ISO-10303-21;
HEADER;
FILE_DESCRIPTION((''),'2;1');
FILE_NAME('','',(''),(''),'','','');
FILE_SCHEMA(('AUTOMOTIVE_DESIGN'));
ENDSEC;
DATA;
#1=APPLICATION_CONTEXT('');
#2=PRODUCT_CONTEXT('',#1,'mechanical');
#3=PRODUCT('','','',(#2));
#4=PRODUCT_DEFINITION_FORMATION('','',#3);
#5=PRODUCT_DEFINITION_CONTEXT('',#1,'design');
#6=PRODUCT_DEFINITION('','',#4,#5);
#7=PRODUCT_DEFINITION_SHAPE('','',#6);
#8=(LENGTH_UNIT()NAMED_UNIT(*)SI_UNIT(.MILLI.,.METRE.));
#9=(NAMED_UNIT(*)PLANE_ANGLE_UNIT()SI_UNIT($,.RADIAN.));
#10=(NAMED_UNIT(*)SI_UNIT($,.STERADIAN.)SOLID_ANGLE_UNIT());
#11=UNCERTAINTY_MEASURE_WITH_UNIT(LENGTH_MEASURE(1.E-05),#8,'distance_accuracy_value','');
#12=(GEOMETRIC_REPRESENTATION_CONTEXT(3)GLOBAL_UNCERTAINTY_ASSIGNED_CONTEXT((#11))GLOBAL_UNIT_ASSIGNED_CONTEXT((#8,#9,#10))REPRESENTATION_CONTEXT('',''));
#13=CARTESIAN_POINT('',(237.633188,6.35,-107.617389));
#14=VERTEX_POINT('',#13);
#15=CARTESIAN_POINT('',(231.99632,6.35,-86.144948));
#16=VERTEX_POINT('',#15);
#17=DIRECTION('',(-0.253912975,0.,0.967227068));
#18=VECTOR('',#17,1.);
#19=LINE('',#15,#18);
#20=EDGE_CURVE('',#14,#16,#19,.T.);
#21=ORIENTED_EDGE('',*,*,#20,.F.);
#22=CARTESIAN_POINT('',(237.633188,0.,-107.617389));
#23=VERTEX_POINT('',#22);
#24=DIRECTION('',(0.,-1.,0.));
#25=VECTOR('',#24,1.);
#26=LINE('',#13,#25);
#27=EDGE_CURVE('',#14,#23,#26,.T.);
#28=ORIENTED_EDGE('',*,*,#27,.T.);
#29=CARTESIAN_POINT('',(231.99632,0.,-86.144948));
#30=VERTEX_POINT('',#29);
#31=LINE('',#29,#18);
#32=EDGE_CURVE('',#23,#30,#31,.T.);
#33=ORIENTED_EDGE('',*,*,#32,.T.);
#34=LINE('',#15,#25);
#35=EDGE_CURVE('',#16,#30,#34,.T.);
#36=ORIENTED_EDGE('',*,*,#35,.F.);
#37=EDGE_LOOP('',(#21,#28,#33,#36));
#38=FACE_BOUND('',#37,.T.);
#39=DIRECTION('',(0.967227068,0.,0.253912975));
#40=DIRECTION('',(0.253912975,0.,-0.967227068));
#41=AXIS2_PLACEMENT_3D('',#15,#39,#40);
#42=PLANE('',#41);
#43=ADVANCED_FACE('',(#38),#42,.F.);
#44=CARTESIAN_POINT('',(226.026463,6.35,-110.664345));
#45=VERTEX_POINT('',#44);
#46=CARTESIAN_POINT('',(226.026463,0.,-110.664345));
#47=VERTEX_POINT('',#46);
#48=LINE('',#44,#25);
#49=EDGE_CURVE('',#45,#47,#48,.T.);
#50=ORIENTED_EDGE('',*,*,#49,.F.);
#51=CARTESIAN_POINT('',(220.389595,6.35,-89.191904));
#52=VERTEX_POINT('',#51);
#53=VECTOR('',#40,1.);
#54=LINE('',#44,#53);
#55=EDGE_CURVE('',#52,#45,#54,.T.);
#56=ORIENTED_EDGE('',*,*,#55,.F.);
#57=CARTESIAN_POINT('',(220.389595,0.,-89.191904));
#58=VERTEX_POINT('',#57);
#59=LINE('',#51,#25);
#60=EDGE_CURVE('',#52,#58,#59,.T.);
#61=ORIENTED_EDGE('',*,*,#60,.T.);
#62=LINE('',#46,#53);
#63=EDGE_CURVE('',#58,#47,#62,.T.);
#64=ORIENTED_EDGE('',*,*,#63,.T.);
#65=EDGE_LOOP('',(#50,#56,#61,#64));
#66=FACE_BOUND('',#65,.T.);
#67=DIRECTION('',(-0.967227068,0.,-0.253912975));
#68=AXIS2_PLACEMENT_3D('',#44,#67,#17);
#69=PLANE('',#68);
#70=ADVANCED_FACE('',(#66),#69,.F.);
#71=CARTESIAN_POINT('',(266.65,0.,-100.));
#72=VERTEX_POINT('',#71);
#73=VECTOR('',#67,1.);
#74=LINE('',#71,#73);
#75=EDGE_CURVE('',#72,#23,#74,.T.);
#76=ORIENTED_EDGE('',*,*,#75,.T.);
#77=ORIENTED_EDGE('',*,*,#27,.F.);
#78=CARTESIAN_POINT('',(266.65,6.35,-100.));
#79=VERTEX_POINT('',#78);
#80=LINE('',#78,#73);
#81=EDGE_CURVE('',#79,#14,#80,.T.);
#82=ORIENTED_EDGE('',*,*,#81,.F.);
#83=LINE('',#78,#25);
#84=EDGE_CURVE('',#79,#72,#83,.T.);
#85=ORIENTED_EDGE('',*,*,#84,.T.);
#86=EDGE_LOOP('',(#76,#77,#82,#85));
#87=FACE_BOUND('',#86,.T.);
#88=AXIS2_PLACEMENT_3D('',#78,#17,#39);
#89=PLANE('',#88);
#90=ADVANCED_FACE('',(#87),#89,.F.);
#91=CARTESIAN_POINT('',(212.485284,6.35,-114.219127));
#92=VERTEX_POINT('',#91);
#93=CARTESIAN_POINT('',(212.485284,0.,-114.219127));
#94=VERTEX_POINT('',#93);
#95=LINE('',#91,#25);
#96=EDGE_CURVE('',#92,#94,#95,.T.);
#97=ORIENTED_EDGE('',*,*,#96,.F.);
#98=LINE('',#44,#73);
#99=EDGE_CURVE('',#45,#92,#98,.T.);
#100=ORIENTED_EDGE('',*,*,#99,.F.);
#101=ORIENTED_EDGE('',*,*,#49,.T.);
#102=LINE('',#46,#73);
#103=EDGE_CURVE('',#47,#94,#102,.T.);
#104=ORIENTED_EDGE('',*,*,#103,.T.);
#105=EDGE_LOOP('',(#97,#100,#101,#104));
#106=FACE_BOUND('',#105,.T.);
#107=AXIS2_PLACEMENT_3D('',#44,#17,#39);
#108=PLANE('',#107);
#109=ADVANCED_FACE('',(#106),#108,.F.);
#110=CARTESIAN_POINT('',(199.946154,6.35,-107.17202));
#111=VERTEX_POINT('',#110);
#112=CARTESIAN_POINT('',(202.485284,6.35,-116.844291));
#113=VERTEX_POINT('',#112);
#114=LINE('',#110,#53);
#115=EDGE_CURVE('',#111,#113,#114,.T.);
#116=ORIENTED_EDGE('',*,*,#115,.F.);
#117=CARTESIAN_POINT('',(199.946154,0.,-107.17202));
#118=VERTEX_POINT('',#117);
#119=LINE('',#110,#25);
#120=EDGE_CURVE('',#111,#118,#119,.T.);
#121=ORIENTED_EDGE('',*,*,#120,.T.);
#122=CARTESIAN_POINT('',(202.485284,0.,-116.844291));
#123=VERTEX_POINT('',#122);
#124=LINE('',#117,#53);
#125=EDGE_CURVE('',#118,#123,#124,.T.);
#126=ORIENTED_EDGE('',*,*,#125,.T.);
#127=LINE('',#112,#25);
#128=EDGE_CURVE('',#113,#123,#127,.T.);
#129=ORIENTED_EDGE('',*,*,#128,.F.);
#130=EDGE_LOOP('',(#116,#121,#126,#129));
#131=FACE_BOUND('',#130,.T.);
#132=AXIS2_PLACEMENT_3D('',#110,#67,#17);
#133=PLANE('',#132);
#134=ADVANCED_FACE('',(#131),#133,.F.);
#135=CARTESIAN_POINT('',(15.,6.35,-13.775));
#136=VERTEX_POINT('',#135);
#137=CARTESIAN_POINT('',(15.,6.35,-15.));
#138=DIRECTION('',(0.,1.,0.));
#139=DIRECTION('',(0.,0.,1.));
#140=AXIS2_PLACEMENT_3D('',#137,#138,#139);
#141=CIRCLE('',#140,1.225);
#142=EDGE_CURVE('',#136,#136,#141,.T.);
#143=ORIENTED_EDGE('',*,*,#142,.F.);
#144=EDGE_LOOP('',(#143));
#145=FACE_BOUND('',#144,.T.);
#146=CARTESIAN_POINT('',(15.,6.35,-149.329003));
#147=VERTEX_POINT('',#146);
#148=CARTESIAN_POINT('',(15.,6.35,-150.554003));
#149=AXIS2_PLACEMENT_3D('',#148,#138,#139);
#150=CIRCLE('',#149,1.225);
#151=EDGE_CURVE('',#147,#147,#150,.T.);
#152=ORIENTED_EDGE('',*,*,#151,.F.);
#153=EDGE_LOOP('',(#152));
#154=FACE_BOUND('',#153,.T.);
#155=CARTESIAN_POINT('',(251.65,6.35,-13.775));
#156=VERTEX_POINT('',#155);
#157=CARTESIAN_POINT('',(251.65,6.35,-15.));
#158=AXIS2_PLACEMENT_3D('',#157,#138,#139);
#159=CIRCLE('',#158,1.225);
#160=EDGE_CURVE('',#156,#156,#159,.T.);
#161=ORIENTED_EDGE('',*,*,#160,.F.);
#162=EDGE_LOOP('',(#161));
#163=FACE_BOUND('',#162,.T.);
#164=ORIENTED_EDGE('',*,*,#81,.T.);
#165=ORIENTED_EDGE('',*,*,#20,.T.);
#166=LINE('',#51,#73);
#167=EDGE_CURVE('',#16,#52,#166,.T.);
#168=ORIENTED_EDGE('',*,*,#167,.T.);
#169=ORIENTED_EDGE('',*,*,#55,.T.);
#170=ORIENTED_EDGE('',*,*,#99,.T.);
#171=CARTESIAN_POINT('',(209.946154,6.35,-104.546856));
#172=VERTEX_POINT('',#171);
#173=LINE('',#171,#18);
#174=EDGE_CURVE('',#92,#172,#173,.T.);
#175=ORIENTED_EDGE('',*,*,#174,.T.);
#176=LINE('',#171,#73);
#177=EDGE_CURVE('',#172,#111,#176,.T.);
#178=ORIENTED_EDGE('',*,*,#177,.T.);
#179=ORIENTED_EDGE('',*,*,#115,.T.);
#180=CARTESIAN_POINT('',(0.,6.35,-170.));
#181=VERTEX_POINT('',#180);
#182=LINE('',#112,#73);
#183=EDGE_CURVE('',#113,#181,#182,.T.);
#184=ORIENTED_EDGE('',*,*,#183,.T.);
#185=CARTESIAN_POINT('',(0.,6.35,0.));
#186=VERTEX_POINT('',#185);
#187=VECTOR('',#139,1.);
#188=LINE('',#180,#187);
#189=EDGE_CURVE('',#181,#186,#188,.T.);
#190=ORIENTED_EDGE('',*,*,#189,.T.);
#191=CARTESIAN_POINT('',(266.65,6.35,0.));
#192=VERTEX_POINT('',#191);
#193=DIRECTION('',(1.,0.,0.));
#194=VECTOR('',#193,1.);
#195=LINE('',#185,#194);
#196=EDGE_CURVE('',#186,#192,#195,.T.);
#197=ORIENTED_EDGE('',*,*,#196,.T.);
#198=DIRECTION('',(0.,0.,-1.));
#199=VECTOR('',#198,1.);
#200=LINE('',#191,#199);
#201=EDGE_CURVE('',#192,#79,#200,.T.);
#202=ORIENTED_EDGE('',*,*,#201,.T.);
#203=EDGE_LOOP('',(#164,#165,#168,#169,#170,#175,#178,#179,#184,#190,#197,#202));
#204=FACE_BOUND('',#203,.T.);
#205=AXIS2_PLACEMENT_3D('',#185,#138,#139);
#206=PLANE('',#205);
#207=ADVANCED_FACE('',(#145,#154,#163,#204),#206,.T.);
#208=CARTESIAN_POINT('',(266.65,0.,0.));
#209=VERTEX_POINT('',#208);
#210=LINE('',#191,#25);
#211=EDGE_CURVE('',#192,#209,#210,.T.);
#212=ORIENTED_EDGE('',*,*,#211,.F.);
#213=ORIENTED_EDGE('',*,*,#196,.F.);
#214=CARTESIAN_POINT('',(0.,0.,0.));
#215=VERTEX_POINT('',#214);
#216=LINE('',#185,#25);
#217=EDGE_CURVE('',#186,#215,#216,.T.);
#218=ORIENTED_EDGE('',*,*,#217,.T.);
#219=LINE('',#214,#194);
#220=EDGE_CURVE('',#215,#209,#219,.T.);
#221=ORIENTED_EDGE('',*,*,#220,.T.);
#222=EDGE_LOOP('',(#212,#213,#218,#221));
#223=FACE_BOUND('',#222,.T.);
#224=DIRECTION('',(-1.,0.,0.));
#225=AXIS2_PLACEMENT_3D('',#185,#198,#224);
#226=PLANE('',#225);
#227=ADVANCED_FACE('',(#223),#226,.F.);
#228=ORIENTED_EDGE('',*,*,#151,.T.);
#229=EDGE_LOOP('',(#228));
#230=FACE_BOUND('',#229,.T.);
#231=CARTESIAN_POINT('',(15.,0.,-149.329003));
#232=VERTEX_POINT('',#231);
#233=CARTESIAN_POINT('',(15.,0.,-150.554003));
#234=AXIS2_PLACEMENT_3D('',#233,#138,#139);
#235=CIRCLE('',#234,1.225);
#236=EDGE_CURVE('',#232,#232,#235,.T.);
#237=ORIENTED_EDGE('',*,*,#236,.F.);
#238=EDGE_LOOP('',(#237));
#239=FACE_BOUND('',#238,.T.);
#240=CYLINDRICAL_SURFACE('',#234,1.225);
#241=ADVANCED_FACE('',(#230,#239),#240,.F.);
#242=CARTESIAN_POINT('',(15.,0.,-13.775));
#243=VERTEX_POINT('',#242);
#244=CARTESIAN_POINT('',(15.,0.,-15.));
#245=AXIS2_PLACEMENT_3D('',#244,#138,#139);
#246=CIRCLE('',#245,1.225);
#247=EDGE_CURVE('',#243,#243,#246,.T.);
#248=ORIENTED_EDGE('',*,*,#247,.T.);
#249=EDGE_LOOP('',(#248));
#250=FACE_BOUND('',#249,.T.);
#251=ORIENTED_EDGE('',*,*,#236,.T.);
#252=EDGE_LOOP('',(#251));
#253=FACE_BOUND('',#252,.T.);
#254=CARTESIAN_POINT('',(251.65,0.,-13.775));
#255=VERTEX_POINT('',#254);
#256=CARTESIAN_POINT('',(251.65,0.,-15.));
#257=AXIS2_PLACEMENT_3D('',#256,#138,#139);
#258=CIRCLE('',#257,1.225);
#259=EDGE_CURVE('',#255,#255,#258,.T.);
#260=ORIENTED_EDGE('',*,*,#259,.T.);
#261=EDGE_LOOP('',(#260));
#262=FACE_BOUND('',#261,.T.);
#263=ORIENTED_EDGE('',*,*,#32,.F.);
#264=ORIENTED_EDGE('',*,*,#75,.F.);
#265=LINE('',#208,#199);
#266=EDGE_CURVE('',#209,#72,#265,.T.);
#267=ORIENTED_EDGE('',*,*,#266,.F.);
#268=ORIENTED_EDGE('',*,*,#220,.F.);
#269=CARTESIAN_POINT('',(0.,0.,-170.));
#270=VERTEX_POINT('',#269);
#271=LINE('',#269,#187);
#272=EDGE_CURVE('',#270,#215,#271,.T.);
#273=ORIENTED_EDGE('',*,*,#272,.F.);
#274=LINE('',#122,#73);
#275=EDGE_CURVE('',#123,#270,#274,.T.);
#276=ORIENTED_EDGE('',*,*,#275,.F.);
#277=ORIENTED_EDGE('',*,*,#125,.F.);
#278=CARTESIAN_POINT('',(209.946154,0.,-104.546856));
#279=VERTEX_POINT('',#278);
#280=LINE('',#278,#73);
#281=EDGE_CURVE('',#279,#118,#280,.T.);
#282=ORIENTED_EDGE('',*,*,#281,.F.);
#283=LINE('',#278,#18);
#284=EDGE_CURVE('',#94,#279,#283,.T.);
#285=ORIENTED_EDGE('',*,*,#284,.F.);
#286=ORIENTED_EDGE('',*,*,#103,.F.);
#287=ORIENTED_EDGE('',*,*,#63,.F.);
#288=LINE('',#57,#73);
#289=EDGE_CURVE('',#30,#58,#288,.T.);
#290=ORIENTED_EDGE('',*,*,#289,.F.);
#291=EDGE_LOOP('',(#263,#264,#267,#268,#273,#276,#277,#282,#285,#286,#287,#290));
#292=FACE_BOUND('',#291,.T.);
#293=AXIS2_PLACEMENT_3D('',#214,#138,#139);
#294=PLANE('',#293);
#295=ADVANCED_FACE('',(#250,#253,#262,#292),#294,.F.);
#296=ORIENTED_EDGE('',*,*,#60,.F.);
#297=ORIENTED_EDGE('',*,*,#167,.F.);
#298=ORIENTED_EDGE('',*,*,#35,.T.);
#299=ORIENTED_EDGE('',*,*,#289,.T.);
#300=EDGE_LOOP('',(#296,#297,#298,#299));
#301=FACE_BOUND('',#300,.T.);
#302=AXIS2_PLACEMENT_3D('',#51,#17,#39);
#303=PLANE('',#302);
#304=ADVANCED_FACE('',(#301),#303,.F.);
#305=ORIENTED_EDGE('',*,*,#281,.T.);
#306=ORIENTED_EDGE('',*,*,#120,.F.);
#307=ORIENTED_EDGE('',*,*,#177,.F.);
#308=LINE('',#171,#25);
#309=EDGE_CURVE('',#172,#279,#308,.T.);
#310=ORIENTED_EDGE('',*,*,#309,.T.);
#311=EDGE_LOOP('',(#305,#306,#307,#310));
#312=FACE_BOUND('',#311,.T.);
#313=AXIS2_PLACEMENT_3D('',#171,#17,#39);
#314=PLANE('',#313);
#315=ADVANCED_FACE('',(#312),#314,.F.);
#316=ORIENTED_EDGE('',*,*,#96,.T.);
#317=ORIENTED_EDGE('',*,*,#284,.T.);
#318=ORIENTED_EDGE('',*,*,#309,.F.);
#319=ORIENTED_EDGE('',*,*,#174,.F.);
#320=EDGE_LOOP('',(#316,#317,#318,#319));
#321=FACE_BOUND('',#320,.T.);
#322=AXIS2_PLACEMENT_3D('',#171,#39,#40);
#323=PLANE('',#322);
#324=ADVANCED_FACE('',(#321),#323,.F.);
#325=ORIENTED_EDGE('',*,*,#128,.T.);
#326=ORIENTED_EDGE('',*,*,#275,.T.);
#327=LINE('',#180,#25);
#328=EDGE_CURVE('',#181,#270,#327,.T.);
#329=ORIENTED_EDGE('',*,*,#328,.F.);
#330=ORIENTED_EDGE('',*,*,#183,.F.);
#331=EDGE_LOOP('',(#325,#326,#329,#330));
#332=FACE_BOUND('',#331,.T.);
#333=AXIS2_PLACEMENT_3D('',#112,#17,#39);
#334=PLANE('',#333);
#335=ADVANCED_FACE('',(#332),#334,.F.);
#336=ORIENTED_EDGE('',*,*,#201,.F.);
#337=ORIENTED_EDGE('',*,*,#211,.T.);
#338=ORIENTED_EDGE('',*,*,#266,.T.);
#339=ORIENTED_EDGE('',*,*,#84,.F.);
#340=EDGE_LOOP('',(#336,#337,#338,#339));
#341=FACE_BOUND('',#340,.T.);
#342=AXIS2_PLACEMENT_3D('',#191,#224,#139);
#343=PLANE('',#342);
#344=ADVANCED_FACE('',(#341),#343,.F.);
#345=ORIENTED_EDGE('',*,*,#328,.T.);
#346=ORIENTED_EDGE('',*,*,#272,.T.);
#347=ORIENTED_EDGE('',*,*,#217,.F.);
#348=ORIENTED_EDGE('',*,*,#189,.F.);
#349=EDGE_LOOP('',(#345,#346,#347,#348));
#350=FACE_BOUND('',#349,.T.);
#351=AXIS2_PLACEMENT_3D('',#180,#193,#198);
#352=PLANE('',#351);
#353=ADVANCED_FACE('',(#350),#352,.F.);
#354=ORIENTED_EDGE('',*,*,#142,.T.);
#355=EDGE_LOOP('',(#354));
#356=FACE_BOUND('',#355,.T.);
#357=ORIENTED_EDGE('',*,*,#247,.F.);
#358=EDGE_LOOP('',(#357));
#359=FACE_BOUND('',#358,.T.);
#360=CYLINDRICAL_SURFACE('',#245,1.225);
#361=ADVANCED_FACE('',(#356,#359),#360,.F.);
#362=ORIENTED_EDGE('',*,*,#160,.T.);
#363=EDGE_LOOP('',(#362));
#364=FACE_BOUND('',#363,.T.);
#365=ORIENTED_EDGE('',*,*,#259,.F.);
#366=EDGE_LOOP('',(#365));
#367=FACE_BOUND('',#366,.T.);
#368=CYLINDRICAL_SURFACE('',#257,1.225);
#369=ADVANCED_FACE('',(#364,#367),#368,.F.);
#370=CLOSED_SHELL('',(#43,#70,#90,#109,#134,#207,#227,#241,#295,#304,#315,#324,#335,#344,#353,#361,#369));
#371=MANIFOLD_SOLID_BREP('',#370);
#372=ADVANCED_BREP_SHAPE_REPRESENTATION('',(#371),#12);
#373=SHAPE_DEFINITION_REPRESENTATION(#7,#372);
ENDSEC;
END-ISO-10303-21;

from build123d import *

# Parameters (mm, degrees)
BOSS_EXTRUDE1_DEPTH = 6.35
SKETCH3_R           = 1.225
CUT_EXTRUDE1_DEPTH  = 317.295028415


with BuildPart() as part:
    # Sketch2 → Boss-Extrude1 (new body)
    with BuildSketch(Plane(origin=(0, 0, 0), x_dir=(1, 0, 0), z_dir=(0, 1, 0))):
        Polygon((0, 0), (266.65, 0), (266.65, 100), (237.633187959, 107.617389248), (231.996319915, 86.144948337), (220.389595099, 89.191904036), (226.026463142, 110.664344947), (212.485284189, 114.219126596), (209.94615444, 104.546855915), (199.94615444, 107.172019988), (202.485284189, 116.844290668), (0, 170), align=None)
    extrude(amount=BOSS_EXTRUDE1_DEPTH)

    # Sketch3 → Cut-Extrude1 (cut, through all)
    with BuildSketch(Plane(origin=(0, 6.35, 0), x_dir=(1, 0, 0), z_dir=(0, 1, 0))):
        with Locations(Location((15, 150.554003041, 0), (0, 0, 270))):
            Circle(SKETCH3_R)
        with Locations(Location((15, 15, 0), (0, 0, 270))):
            Circle(SKETCH3_R)
        with Locations(Location((251.65, 15, 0), (0, 0, 270))):
            Circle(SKETCH3_R)
    extrude(amount=-CUT_EXTRUDE1_DEPTH, mode=Mode.SUBTRACT)


solid = part.part
